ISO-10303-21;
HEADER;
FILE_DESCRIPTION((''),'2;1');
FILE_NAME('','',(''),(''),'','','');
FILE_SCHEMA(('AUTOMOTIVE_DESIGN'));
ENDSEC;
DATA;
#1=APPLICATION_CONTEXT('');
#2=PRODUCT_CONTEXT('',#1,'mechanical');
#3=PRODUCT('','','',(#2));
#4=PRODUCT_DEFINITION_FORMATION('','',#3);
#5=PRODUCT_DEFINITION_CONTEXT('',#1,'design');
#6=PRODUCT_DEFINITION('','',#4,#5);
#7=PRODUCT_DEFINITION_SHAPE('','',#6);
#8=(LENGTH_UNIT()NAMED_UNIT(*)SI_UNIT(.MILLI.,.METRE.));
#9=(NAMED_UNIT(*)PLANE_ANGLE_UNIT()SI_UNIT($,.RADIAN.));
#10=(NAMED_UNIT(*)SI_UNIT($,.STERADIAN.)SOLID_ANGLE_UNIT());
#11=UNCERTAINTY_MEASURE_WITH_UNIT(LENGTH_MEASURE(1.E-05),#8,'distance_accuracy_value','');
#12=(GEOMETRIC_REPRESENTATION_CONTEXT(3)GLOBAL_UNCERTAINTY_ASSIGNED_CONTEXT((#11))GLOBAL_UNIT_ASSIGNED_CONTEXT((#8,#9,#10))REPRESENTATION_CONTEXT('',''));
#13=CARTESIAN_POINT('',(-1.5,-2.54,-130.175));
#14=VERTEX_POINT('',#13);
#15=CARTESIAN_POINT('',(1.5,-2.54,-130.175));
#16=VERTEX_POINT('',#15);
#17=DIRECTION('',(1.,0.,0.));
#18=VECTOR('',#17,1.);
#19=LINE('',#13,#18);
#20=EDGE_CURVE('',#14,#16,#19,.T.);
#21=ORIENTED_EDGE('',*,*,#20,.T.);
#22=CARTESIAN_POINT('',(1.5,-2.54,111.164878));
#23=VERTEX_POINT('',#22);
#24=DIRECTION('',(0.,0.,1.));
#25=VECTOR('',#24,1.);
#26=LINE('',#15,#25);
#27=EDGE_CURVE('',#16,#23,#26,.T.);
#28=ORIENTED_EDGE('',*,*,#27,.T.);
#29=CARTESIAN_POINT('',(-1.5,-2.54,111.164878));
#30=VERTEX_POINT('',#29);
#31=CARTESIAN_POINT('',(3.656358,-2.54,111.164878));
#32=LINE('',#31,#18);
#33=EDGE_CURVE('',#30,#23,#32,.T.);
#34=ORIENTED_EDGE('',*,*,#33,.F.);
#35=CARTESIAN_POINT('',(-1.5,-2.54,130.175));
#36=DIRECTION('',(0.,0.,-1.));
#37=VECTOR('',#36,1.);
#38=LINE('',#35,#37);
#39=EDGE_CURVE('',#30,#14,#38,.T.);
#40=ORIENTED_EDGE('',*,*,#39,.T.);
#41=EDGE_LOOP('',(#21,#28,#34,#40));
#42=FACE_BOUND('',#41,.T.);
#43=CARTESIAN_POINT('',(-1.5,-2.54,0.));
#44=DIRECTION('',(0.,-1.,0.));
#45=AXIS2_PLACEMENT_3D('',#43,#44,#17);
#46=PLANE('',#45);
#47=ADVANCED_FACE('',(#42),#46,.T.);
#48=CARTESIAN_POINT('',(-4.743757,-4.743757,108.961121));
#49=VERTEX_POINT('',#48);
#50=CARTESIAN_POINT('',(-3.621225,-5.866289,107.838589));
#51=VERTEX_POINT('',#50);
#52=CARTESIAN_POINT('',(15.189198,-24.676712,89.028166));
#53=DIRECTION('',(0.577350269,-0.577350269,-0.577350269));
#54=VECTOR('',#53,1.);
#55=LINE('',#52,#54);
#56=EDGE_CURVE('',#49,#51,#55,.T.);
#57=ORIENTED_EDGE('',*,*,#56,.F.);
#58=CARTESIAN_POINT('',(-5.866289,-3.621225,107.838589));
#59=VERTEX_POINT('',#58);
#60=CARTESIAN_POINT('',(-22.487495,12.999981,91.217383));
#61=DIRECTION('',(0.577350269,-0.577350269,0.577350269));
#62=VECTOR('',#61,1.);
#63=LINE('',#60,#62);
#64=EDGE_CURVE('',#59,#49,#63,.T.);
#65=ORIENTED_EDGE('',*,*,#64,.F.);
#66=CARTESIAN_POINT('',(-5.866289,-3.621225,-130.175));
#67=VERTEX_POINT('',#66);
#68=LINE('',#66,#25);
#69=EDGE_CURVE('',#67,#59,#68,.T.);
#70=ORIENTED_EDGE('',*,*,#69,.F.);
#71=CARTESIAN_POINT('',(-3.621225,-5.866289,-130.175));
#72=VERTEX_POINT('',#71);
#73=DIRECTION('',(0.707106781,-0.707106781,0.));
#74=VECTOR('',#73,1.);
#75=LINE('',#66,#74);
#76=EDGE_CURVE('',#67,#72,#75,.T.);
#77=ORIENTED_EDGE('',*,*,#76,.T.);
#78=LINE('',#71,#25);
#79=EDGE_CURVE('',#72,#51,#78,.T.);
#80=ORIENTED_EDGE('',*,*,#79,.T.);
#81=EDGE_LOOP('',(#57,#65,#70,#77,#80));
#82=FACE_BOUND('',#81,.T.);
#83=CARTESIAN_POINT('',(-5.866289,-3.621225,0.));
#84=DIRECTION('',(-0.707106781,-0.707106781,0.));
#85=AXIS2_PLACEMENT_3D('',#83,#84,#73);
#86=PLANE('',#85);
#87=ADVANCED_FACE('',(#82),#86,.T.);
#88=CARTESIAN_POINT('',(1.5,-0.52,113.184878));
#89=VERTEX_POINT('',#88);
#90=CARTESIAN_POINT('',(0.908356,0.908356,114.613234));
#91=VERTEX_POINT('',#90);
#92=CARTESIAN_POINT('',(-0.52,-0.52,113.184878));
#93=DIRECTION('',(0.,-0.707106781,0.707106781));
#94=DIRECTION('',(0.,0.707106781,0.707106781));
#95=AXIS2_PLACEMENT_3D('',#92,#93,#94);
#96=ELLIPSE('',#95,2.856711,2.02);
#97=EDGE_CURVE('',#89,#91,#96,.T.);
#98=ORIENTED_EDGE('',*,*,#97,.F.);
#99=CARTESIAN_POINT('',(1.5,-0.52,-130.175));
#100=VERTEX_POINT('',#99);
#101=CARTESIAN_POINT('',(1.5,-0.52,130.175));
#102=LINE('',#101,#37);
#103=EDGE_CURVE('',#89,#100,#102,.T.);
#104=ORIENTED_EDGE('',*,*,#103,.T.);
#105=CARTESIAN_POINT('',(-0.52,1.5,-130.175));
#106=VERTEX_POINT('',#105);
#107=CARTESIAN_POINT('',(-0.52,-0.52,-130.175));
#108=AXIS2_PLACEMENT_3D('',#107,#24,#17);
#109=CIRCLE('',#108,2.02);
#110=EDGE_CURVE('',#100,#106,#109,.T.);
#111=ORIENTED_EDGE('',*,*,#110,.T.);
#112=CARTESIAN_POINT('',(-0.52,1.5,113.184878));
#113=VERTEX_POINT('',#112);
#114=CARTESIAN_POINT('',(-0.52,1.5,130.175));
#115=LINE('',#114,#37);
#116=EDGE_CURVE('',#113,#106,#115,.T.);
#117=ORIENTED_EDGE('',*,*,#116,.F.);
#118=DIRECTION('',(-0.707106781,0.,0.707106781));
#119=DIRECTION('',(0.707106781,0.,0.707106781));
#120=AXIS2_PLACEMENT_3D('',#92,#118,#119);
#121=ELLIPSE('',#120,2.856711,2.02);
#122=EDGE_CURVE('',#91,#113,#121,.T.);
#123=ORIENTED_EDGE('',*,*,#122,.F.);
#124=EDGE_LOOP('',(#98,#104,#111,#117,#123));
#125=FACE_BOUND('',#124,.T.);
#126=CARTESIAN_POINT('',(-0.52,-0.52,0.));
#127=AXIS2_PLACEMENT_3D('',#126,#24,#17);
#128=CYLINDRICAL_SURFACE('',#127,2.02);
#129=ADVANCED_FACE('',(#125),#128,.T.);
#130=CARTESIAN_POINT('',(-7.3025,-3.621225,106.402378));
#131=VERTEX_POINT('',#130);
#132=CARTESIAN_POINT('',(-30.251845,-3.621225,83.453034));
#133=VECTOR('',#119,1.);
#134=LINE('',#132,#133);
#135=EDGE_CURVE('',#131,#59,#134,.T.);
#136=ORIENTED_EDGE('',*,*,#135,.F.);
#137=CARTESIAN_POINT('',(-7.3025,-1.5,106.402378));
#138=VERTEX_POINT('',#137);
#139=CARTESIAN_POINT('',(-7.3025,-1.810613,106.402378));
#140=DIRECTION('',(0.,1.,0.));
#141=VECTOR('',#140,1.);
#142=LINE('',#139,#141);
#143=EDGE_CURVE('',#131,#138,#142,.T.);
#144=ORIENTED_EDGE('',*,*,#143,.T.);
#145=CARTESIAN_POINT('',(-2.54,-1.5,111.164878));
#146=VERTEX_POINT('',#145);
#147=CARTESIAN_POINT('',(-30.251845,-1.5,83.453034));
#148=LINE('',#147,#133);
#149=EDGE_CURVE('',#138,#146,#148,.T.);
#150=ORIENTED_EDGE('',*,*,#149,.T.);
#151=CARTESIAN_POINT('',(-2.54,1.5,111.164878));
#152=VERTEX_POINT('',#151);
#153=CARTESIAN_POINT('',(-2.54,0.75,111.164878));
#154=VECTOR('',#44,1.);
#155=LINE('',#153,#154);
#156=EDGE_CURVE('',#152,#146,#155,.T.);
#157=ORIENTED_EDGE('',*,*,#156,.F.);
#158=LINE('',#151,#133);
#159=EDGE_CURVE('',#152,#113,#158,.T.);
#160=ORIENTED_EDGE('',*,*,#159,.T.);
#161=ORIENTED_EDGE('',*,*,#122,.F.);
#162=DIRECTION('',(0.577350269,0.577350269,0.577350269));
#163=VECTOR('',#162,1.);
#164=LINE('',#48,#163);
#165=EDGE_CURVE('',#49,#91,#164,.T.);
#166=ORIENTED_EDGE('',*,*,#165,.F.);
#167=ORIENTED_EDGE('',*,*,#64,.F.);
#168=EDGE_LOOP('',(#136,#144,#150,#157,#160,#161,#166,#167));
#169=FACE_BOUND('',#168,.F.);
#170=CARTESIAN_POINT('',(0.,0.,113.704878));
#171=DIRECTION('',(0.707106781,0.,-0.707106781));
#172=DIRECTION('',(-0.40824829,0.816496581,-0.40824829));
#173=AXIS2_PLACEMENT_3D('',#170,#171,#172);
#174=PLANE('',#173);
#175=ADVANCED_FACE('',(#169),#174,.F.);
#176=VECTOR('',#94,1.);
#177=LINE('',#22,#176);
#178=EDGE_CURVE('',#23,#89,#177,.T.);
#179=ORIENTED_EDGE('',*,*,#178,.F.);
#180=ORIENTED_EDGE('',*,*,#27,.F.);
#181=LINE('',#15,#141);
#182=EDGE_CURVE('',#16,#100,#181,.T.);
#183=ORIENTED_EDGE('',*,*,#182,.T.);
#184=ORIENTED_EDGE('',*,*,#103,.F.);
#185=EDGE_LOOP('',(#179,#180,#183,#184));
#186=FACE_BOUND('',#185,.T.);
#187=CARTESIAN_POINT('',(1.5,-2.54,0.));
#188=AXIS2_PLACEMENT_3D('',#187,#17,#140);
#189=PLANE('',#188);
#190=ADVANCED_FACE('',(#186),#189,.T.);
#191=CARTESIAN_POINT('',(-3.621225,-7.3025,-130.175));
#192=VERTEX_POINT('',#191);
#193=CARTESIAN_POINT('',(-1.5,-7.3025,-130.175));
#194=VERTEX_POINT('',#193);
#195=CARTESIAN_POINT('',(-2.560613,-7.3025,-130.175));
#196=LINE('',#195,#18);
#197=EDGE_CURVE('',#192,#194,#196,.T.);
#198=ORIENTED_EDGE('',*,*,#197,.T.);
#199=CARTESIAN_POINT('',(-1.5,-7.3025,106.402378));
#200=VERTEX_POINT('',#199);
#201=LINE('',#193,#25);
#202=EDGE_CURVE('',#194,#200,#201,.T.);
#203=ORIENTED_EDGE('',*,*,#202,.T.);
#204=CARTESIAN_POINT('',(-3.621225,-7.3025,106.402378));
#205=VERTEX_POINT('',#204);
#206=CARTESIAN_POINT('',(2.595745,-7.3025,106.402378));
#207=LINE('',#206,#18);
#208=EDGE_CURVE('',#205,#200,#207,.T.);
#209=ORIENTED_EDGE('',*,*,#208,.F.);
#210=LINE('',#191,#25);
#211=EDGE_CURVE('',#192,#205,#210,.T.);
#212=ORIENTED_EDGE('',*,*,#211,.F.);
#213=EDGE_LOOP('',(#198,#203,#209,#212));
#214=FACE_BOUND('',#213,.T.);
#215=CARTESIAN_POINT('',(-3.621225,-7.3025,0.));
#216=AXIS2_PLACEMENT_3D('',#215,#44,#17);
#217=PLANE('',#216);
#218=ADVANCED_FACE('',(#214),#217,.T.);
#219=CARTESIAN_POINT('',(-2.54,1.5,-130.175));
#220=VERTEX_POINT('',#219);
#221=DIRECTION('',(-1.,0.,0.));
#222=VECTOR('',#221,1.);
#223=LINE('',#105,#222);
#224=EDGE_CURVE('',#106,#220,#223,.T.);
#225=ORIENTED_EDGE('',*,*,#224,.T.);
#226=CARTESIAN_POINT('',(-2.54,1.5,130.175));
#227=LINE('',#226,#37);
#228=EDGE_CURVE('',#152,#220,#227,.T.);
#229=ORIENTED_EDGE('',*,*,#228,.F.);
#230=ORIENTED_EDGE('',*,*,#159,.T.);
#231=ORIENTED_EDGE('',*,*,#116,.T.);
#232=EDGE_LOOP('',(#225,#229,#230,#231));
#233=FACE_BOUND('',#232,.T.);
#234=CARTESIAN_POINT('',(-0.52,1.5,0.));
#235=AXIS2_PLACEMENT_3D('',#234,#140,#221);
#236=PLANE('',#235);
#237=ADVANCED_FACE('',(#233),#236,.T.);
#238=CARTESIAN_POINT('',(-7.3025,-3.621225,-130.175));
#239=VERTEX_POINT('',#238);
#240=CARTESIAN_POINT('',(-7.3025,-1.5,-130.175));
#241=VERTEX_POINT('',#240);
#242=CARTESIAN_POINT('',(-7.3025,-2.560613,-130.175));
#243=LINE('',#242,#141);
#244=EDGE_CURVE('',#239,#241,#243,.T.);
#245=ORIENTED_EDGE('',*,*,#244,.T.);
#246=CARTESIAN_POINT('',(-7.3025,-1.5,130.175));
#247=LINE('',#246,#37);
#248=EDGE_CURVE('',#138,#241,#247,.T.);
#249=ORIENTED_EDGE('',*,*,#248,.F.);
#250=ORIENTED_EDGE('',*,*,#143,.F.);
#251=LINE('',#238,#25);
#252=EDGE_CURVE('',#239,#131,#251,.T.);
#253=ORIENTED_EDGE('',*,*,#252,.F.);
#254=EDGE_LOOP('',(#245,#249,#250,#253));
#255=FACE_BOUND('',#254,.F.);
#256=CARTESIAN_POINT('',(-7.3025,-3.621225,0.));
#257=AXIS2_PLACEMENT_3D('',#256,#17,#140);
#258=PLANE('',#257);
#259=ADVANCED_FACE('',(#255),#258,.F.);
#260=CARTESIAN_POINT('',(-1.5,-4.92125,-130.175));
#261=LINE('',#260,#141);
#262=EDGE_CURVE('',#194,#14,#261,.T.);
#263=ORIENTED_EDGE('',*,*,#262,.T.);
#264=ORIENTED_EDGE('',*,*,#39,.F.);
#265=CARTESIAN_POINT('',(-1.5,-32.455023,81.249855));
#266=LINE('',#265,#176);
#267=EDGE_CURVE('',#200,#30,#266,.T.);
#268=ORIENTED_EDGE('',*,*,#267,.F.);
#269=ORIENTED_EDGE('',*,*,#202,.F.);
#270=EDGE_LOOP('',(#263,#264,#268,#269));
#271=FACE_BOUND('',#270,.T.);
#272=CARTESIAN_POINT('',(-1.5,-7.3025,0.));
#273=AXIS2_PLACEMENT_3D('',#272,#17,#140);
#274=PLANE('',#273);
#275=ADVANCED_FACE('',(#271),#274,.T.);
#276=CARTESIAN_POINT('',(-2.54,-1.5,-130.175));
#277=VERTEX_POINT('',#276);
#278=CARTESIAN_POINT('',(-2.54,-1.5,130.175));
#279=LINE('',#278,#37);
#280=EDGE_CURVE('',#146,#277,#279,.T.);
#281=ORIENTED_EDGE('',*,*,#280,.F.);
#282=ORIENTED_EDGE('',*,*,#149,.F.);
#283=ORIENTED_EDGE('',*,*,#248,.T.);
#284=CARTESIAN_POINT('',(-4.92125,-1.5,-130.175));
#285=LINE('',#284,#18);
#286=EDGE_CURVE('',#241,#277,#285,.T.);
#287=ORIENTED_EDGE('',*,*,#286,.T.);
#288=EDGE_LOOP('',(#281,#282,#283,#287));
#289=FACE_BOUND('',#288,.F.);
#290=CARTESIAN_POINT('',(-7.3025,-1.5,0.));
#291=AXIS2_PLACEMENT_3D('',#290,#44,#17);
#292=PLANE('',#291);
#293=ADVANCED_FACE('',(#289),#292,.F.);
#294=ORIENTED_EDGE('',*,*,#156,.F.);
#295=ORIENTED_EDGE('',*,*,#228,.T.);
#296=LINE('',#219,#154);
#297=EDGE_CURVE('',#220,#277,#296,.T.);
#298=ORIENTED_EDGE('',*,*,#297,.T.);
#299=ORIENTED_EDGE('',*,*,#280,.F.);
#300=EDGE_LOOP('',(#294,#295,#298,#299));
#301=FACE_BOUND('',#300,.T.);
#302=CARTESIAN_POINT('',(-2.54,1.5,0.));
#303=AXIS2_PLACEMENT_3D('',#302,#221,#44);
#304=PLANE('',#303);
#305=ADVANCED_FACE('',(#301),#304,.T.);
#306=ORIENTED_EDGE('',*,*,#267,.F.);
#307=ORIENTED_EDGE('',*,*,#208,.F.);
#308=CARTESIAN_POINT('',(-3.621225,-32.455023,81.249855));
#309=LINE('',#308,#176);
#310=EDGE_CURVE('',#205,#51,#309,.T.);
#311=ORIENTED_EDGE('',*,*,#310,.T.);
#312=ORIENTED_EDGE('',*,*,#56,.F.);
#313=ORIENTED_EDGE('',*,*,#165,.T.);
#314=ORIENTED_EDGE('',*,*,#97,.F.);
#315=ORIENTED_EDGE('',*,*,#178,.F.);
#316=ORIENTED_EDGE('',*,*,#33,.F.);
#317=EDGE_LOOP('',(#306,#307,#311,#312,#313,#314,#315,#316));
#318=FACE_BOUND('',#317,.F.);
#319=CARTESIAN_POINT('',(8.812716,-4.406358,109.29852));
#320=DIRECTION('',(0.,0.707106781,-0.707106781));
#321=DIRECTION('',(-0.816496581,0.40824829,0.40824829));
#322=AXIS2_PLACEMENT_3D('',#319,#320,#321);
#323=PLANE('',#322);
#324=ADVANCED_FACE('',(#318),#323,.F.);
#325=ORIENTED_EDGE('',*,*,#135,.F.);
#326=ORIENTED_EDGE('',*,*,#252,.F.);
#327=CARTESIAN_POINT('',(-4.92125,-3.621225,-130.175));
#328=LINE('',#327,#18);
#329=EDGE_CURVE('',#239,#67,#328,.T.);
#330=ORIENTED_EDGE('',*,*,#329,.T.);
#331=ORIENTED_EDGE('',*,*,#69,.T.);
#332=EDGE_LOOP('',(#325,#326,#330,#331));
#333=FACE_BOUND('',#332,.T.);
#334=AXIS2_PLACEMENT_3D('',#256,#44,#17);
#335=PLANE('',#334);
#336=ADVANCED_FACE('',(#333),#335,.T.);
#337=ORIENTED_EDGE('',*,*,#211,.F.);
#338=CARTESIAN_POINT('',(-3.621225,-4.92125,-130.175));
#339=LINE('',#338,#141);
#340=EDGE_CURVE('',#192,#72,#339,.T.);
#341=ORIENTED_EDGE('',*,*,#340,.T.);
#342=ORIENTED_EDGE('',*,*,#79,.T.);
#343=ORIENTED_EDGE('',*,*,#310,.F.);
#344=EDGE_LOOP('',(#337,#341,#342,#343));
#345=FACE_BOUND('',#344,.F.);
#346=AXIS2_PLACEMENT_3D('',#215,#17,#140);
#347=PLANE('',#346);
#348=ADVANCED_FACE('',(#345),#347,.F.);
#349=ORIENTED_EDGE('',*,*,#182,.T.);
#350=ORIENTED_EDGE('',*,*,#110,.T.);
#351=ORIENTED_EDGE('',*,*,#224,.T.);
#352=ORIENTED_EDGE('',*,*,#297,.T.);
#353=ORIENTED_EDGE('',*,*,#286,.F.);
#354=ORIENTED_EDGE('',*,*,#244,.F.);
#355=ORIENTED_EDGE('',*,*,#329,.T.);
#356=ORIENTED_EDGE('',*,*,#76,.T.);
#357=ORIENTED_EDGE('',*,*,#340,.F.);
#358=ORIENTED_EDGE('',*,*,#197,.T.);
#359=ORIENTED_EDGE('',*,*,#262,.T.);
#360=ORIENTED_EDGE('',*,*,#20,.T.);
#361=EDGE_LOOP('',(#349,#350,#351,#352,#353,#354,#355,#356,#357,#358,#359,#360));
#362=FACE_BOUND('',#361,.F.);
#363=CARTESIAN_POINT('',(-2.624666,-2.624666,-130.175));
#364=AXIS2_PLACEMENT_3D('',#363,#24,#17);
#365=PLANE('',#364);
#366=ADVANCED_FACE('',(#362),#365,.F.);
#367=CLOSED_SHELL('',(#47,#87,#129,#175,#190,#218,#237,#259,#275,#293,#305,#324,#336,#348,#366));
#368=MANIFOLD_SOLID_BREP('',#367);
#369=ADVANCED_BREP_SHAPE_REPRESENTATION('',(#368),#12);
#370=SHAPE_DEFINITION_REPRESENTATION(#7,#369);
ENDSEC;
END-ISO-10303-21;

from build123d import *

# Parameters (mm, degrees)
SKETCH7_W               = 4.7625
SKETCH7_H               = 2.12122512
BOSS_EXTRUDE2_DEPTH     = 130.175
SKETCH8_W               = 2.12122512
SKETCH8_H               = 4.7625
BOSS_EXTRUDE3_DEPTH     = 130.175
BOSS_EXTRUDE4_DEPTH     = 130.175
CUT_EXTRUDE1_DEPTH      = 150.236313895
CUT_EXTRUDE1_DEPTH_BACK = 12.241080233


with BuildPart() as part:
    # Sketch7 → Boss-Extrude2 (new body, symmetric)
    with BuildSketch(Plane.XY):
        with Locations((-4.92125, -2.560612608)):
            Rectangle(SKETCH7_W, SKETCH7_H)
    extrude(amount=BOSS_EXTRUDE2_DEPTH, both=True)

    # Sketch8 → Boss-Extrude3 (add, symmetric)
    with BuildSketch(Plane.XY):
        with Locations((-2.560612608, -4.92125)):
            Rectangle(SKETCH8_W, SKETCH8_H)
    extrude(amount=BOSS_EXTRUDE3_DEPTH, both=True)

    # Sketch11 → Boss-Extrude4 (add, symmetric)
    with BuildSketch(Plane.XY):
        with BuildLine():
            Line((-2.54, 1.500000048), (-2.54, -1.500000048))
            Line((-2.54, -1.500000048), (-7.3025, -1.500000048))
            Line((-7.3025, -1.500000048), (-7.3025, -3.621225168))
            Line((-7.3025, -3.621225168), (-5.866289198, -3.621225168))
            Line((-5.866289198, -3.621225168), (-3.621225168, -5.866289198))
            Line((-3.621225168, -5.866289198), (-3.621225168, -7.3025))
            Line((-3.621225168, -7.3025), (-1.500000048, -7.3025))
            Line((-1.500000048, -7.3025), (-1.500000048, -2.54))
            Line((-1.500000048, -2.54), (1.500000048, -2.54))
            Line((1.500000048, -2.54), (1.500000048, -0.519999976))
            ThreePointArc((1.500000048, -0.519999976), (0.908355739, 0.908355739), (-0.519999976, 1.500000048))
            Line((-0.519999976, 1.500000048), (-2.54, 1.500000048))
        make_face()
    extrude(amount=BOSS_EXTRUDE4_DEPTH, both=True)

    # Sketch17 → Cut-Extrude1 (cut, two sides)
    with BuildSketch(Plane(origin=(0, 0, 113.704878), x_dir=(0.707106781, 0, -0.707106781), z_dir=(-0.577350269, -0.577350269, -0.577350269))) as cut_extrude1_sk:
        Polygon((9.347296833, 5.396664343), (0, 0), (0, -10.793328686), (-219.970452561, 116.206671314), (-210.623155728, 132.396664343), align=None)
    extrude(amount=CUT_EXTRUDE1_DEPTH, mode=Mode.SUBTRACT)
    extrude(cut_extrude1_sk.sketch, amount=-CUT_EXTRUDE1_DEPTH_BACK, mode=Mode.SUBTRACT)


solid = part.part
